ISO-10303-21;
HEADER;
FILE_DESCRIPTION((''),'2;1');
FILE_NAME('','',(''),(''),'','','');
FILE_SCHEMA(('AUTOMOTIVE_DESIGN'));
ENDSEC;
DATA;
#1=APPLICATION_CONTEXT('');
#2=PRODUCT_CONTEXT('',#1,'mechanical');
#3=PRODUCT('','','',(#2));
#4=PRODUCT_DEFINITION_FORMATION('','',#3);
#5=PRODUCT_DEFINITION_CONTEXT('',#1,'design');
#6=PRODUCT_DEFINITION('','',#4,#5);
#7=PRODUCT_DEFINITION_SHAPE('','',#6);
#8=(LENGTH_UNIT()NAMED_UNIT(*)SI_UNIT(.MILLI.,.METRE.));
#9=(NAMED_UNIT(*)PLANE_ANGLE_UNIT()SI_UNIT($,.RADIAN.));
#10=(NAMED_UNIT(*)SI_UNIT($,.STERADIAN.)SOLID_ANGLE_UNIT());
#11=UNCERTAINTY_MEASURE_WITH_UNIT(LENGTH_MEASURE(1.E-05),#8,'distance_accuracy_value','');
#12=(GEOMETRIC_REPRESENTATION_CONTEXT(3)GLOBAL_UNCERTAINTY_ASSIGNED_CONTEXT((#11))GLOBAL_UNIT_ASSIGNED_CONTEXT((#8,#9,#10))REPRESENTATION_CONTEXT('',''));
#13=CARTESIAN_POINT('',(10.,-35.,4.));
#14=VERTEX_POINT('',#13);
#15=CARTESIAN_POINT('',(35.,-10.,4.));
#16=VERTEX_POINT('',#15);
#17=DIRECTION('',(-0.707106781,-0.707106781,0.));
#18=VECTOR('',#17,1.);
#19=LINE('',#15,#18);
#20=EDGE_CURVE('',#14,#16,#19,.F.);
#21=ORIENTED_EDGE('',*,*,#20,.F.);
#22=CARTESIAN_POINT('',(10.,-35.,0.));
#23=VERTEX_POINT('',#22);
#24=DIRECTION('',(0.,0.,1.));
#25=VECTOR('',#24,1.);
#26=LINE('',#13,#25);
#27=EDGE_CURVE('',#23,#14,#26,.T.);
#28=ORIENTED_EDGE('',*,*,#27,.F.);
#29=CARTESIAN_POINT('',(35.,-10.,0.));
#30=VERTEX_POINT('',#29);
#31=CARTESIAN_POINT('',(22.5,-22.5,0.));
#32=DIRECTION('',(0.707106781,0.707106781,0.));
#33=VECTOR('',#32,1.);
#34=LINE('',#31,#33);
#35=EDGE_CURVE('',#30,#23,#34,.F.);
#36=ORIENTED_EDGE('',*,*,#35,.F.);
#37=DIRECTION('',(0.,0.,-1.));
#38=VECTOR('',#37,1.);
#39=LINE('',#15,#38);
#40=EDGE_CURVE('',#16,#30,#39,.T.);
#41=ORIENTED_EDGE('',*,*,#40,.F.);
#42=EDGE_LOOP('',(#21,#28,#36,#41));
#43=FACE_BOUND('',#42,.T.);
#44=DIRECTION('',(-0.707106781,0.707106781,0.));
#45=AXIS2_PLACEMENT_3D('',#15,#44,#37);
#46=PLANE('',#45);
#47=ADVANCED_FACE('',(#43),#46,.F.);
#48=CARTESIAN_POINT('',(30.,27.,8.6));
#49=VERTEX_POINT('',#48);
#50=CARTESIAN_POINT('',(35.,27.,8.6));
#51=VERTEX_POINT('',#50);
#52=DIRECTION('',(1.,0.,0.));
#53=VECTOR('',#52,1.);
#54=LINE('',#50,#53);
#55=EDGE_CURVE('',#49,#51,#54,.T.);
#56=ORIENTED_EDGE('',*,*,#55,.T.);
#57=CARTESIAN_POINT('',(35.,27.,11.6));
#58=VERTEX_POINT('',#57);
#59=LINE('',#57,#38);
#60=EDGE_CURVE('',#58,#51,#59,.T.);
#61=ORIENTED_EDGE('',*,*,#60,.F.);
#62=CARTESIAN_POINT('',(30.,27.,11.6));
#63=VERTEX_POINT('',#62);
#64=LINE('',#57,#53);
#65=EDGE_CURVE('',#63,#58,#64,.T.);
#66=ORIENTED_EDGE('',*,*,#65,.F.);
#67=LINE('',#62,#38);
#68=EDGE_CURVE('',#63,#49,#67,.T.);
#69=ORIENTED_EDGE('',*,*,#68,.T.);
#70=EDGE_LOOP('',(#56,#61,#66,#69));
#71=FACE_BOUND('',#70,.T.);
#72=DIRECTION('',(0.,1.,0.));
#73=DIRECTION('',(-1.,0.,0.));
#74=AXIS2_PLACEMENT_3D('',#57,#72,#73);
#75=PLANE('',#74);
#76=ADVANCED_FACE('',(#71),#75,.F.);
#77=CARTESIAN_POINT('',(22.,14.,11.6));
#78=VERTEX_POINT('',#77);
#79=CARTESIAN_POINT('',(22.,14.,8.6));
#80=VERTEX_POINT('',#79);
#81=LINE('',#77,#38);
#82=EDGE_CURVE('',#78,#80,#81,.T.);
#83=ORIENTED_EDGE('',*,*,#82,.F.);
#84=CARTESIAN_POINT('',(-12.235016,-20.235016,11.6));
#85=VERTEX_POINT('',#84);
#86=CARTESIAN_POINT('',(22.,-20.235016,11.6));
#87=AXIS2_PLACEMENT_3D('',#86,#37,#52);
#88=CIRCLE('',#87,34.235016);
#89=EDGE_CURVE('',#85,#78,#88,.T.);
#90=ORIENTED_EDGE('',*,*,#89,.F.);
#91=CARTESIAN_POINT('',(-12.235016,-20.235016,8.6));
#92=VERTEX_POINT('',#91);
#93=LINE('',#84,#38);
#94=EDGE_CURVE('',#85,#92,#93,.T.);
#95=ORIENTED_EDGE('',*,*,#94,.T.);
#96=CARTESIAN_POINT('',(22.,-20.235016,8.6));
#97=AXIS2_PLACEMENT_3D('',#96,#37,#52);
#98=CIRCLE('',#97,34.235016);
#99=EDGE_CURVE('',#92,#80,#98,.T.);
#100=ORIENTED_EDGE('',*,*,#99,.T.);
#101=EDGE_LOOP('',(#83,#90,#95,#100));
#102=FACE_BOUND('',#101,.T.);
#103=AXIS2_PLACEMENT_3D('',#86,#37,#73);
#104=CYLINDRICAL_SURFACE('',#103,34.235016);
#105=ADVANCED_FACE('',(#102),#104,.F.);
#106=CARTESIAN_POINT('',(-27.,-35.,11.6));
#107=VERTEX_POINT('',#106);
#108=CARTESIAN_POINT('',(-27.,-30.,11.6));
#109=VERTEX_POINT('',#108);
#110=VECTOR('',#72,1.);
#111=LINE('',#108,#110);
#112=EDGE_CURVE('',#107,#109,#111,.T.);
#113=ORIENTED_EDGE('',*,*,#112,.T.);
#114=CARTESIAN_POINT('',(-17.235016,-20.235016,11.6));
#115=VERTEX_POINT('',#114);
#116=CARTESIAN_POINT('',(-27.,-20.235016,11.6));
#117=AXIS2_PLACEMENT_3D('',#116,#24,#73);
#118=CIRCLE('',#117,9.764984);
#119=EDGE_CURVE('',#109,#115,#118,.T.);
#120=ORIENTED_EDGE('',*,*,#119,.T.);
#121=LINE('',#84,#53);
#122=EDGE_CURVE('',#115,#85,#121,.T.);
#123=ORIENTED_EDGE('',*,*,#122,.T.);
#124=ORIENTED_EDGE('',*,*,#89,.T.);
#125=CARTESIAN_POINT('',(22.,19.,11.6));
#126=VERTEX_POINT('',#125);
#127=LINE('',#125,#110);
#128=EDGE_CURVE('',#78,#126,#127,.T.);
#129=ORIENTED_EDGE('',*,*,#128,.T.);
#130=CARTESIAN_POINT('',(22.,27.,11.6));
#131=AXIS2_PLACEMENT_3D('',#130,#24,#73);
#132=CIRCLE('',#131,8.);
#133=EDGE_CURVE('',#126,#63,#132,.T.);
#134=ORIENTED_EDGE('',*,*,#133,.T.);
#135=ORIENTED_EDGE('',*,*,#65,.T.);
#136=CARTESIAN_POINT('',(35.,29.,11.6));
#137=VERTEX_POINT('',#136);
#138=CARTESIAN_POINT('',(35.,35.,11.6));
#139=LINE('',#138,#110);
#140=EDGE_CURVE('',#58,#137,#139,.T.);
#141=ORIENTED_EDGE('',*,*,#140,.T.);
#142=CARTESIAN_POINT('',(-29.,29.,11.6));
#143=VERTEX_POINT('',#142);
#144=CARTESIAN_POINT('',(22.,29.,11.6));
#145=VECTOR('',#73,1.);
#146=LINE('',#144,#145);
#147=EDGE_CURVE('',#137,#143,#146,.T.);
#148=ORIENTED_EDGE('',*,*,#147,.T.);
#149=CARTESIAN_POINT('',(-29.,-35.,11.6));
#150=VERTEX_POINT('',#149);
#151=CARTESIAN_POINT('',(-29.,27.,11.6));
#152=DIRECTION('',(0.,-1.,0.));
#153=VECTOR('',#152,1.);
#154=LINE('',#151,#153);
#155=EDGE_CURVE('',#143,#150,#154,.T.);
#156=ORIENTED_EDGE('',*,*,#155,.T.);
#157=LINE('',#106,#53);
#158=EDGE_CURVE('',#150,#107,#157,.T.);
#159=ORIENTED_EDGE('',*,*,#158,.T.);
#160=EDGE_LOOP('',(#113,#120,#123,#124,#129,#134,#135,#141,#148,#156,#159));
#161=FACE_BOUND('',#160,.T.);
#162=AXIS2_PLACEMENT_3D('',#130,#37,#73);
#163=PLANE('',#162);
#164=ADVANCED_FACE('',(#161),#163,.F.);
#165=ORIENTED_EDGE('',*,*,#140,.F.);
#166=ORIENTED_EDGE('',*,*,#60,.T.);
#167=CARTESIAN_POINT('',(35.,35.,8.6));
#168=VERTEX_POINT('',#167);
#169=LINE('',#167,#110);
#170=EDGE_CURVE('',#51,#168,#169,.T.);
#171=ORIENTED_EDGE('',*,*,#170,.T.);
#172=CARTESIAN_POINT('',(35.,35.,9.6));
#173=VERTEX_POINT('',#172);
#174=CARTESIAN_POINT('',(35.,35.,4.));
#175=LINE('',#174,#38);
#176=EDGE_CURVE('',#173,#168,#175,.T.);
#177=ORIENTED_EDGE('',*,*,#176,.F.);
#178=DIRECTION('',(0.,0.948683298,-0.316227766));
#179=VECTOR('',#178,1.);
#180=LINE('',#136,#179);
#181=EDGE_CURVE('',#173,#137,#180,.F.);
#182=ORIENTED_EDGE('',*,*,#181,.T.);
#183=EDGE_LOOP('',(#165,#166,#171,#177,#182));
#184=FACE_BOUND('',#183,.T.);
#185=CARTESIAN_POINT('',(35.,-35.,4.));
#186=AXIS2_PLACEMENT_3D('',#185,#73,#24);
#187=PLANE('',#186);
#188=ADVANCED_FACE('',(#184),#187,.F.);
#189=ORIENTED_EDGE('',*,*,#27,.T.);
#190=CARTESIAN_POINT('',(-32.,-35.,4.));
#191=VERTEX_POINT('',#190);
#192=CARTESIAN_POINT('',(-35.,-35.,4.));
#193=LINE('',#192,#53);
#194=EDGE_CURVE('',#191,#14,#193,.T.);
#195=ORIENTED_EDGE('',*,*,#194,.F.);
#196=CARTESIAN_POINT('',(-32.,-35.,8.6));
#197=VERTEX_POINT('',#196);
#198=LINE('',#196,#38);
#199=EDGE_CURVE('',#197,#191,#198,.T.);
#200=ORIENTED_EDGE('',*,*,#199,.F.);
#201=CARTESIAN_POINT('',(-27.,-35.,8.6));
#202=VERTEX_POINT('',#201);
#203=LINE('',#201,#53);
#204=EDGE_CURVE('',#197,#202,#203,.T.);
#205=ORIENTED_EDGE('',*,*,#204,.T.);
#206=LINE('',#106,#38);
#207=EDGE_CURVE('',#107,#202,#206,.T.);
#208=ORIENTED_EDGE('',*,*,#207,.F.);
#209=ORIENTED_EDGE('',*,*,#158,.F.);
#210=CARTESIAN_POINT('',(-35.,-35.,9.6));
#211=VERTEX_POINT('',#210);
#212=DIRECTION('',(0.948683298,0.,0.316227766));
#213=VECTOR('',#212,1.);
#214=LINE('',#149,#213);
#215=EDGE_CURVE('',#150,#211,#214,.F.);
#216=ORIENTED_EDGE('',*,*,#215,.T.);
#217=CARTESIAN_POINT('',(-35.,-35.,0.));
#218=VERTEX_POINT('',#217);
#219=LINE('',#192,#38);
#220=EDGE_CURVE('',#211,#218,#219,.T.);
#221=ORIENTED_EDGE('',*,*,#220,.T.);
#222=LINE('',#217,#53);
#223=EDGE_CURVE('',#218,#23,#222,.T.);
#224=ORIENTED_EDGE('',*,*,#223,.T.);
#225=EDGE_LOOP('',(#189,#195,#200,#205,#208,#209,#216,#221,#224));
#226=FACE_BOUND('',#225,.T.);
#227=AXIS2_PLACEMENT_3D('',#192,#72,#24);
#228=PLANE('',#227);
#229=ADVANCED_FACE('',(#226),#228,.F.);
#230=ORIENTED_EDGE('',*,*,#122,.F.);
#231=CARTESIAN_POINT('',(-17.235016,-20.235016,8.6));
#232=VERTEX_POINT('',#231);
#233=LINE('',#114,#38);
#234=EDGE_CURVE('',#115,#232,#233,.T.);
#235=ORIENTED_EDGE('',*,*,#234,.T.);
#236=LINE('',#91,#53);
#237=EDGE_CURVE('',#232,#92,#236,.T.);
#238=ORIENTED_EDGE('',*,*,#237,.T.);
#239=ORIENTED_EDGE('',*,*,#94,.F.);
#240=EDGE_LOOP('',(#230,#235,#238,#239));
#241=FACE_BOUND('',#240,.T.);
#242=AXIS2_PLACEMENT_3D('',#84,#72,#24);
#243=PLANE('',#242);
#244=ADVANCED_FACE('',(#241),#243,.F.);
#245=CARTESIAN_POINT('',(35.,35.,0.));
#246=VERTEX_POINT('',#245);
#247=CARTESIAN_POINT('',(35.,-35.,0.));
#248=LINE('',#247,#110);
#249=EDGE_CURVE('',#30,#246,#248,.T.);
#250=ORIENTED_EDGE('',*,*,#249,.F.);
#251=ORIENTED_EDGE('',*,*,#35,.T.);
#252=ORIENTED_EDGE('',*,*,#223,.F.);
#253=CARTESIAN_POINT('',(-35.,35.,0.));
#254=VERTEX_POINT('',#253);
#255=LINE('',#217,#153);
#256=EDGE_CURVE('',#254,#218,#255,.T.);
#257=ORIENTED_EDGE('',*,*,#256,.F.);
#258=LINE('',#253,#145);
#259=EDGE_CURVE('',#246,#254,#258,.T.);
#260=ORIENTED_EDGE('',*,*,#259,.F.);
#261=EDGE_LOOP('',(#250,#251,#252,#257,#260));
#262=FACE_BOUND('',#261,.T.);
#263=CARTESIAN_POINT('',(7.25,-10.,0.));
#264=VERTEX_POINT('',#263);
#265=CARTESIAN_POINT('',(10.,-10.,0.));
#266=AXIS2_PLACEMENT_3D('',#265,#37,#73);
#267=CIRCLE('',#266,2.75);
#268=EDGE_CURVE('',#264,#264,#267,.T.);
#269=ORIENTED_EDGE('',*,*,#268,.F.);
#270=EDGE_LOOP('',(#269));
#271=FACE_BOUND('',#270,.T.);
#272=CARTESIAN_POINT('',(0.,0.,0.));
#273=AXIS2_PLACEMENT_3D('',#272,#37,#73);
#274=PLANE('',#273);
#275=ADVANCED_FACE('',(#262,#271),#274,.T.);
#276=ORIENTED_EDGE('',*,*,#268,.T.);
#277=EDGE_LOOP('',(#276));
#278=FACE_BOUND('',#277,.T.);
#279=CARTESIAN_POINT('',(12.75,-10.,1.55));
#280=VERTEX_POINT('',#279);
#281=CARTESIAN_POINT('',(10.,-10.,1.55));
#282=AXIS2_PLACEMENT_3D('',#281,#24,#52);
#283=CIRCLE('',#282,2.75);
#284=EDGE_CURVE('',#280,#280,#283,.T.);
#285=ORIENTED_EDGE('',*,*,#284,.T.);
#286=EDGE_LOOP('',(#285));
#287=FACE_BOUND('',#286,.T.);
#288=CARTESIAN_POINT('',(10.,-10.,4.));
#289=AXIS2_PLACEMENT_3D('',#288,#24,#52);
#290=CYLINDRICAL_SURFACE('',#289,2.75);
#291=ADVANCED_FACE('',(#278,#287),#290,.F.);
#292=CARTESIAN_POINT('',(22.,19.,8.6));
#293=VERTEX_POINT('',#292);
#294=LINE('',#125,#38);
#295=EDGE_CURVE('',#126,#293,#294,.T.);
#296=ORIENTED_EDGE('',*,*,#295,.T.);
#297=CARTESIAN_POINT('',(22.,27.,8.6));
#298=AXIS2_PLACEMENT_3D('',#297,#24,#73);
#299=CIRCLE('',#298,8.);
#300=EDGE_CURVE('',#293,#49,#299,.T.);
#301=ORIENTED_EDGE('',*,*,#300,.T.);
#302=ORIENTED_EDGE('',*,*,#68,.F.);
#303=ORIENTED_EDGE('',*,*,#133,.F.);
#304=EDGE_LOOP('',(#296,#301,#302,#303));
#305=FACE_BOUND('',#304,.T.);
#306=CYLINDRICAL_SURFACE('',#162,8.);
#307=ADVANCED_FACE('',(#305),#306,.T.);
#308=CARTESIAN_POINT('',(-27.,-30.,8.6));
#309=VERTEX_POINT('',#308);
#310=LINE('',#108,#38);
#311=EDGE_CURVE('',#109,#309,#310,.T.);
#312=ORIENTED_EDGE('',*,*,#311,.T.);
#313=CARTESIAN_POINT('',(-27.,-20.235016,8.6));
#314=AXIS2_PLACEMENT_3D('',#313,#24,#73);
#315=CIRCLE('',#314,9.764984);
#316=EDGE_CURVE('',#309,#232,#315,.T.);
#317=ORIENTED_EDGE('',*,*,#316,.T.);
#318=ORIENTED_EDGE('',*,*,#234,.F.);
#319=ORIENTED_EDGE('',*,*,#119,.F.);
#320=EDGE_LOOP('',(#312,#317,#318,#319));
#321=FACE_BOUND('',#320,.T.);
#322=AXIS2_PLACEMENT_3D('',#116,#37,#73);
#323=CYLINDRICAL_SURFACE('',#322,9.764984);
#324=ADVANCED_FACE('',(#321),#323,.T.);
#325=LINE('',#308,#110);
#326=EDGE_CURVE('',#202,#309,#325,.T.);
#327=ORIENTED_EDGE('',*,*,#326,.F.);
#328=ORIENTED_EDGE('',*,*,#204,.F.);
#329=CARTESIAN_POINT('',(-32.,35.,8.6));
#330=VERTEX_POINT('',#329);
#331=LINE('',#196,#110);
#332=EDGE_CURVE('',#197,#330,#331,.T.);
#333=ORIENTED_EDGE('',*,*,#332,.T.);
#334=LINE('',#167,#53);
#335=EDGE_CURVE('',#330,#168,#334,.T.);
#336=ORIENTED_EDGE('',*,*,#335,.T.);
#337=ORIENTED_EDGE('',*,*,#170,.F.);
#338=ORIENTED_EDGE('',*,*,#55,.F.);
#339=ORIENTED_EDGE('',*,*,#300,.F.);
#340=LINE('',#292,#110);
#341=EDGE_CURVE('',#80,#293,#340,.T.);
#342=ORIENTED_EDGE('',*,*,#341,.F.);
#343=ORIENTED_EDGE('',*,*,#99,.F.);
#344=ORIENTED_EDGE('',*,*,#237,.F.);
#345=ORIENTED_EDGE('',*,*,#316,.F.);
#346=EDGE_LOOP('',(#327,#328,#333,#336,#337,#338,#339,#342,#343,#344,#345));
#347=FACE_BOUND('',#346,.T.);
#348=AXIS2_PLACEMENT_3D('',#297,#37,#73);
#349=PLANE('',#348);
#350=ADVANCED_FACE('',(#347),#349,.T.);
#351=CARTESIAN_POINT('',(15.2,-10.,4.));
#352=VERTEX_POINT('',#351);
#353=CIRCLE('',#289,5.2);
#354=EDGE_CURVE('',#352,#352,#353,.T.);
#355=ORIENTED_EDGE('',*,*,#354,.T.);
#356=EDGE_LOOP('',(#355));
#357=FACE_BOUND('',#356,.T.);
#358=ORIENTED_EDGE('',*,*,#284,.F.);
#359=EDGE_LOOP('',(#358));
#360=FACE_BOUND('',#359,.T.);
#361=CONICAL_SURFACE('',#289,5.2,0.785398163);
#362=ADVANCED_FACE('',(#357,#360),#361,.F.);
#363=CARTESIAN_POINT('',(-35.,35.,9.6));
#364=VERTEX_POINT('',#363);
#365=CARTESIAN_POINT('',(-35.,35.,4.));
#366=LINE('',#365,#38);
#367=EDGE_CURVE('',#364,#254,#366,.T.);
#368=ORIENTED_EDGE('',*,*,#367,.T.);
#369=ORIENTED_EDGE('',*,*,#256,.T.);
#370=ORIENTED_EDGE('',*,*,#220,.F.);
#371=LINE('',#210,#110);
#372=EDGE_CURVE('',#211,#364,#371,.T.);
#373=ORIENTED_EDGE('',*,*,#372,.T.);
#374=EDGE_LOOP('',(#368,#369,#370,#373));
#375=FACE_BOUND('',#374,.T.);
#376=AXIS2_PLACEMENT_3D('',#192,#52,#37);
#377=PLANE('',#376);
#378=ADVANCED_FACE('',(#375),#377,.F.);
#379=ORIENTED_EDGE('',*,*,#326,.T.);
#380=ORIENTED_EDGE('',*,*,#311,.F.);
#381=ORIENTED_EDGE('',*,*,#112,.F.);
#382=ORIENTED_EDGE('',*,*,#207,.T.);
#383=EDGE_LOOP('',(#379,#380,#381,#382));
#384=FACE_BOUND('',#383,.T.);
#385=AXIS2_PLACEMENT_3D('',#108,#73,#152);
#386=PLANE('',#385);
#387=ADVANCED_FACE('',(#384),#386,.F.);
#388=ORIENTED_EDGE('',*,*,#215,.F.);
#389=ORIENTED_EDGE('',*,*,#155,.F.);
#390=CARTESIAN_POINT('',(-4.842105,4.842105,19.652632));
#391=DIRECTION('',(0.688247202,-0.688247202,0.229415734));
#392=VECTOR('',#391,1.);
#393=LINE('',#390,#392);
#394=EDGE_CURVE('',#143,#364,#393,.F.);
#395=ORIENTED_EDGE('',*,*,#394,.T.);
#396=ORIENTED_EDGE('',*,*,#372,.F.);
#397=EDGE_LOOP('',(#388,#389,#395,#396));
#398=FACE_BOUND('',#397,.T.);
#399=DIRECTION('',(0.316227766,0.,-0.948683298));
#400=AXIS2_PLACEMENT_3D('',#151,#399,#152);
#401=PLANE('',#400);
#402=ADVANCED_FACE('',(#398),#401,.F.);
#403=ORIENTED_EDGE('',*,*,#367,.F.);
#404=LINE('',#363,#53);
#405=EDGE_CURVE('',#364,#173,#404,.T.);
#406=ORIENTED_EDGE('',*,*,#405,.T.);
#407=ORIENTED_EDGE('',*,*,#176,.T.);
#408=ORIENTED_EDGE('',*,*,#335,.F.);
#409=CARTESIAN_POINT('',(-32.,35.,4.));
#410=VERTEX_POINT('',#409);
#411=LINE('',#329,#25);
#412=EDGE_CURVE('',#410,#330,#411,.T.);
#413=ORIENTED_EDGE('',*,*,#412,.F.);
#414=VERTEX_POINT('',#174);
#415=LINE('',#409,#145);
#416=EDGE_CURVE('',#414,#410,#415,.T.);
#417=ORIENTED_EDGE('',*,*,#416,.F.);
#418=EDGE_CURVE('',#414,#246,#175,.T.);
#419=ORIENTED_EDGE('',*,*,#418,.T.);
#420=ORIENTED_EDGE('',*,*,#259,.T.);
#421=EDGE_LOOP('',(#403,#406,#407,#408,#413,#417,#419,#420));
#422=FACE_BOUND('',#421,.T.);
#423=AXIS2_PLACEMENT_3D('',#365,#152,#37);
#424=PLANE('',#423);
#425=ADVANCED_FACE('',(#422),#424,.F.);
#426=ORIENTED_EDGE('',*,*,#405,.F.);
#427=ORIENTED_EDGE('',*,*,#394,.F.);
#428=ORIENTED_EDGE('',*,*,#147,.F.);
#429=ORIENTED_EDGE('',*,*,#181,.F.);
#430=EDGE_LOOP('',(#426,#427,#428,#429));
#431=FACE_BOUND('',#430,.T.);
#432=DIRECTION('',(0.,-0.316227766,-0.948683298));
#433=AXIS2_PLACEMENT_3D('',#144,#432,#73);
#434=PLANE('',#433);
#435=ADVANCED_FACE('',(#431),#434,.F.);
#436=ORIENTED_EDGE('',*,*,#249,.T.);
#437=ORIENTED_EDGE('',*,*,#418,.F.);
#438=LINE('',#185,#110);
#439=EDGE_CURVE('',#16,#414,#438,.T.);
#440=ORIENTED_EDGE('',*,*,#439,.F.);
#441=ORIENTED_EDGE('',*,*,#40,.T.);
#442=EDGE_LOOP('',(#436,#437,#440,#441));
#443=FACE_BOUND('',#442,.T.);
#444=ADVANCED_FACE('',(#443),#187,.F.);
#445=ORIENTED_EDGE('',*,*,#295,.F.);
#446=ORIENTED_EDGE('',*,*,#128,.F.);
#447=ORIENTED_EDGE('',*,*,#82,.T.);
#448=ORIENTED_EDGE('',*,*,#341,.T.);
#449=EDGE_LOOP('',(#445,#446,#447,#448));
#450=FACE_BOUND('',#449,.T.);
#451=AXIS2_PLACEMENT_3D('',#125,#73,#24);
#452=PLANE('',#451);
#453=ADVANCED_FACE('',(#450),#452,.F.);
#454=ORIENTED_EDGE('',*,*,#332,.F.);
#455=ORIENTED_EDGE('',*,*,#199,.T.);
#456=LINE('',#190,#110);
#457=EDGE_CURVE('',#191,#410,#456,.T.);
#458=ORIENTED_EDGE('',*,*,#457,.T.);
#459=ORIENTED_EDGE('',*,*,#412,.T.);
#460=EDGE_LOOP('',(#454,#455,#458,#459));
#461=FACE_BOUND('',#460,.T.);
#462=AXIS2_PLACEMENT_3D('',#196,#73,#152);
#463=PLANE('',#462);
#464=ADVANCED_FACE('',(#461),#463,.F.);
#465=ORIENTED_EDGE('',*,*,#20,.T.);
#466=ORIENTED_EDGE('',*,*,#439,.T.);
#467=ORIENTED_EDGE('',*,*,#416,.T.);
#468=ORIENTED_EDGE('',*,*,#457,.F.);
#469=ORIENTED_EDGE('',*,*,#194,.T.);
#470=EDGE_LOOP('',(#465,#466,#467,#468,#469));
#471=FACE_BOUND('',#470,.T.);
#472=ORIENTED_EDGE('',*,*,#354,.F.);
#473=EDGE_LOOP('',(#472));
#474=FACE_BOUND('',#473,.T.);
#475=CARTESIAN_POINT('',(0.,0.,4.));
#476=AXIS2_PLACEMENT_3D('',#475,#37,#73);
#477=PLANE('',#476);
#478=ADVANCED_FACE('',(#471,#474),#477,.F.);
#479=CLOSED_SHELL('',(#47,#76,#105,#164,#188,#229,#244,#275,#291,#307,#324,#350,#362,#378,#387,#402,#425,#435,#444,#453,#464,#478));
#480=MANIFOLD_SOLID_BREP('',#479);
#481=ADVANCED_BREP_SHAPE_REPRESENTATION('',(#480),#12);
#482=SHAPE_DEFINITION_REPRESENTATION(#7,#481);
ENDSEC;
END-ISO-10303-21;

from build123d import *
from OCP.BRepFilletAPI import BRepFilletAPI_MakeChamfer

# Parameters (mm, degrees)
ESQUISSE1_W             = 70
ESQUISSE1_H             = 70
BOSS_EXTRU_1_DEPTH      = 4
BOSS_EXTRU_2_DEPTH      = 4.6
BOSS_EXTRU_3_DEPTH      = 3
CHANFREIN1_SIZE         = 2
CHANFREIN1_SIZE2        = 6
CHANFREIN2_SIZE         = 25
ENL_V_MAT_EXTRU_1_REACH = 78.476
ESQUISSE6_W             = 67
ESQUISSE6_H             = 4.6


with BuildPart() as part:
    # Esquisse1 → Boss.-Extru.1 (new body)
    with BuildSketch(Plane.XY):
        Rectangle(ESQUISSE1_W, ESQUISSE1_H)
    extrude(amount=BOSS_EXTRU_1_DEPTH)

    # Esquisse2 → Boss.-Extru.2 (add)
    with BuildSketch(Plane.XY.offset(4)):
        Polygon((-35, 35), (-35, -35), (-32, -35), (-32, 32), (35, 32), (35, 35), align=None)
    extrude(amount=BOSS_EXTRU_2_DEPTH)

    # Esquisse3 → Boss.-Extru.3 (add)
    with BuildSketch(Plane.XY.offset(8.6)):
        with BuildLine():
            Line((35, 35), (-35, 35))
            Line((-35, 35), (-35, -35))
            Line((-35, -35), (-27, -35))
            Line((-27, -35), (-27, -30))
            ThreePointArc((-27, -30), (-20.095113441, -27.13990234), (-17.235015781, -20.235015781))
            Line((-17.235015781, -20.235015781), (-12.235015781, -20.235015781))
            ThreePointArc((-12.235015781, -20.235015781), (-2.207811813, 3.972796032), (22, 14))
            Line((22, 14), (22, 19))
            ThreePointArc((22, 19), (27.656854249, 21.343145751), (30, 27))
            Line((30, 27), (35, 27))
            Line((35, 27), (35, 35))
        make_face()
    extrude(amount=BOSS_EXTRU_3_DEPTH)

    # Chanfrein1: one chamfer whose edges measure the first distance from different faces: ONE call of the kernel's chamfer builder (chamfer() names one face for all edges)
    chanfrein1_edges_1 = [part.edges().sort_by_distance(p)[0] for p in [
        (0, 35, 11.6),
    ]]
    chanfrein1_side_1 = [part.faces().sort_by_distance(p)[0] for p in [
        (0, 35, 5.8),
    ]]
    chanfrein1_edges_2 = [part.edges().sort_by_distance(p)[0] for p in [
        (-35, 0, 11.6),
    ]]
    chanfrein1_side_2 = [part.faces().sort_by_distance(p)[0] for p in [
        (-35, 0, 5.8),
    ]]
    chanfrein1 = BRepFilletAPI_MakeChamfer(part.part.solid().wrapped)
    for e in chanfrein1_edges_1:
        chanfrein1.Add(CHANFREIN1_SIZE, CHANFREIN1_SIZE2, e.wrapped, chanfrein1_side_1[0].wrapped)  # the first distance lies on this face
    for e in chanfrein1_edges_2:
        chanfrein1.Add(CHANFREIN1_SIZE, CHANFREIN1_SIZE2, e.wrapped, chanfrein1_side_2[0].wrapped)  # the first distance lies on this face
    add(Compound.cast(chanfrein1.Shape()), mode=Mode.REPLACE)

    # Chanfrein2
    chanfrein2_edges = [part.edges().sort_by_distance(p)[0] for p in [
        (35, -35, 2),
    ]]
    chamfer(chanfrein2_edges, length=CHANFREIN2_SIZE)

    # Esquisse4 → Fraisage pour vis à tête fraisée M51 (revolve, cut)
    with BuildSketch(Plane(origin=(10, -10, 4), x_dir=(0, -1, 0), z_dir=(1, 0, 0))):
        Polygon((0, 0), (0, 4), (2.75, 4), (2.75, 2.45), (5.2, 0), align=None)
    revolve(axis=Axis((10, -10, 10.35), (0, 0, -1)), mode=Mode.SUBTRACT)

    # Esquisse6 → Enlèv. mat.-Extru.1 (cut, up to next)
    with BuildSketch(Plane.XZ.offset(-32), mode=Mode.PRIVATE) as enl_v_mat_extru_1_sk1:
        with Locations((1.5, 6.3)):
            Rectangle(ESQUISSE6_W, ESQUISSE6_H)
    enl_v_mat_extru_1_tool1 = extrude(enl_v_mat_extru_1_sk1.sketch, amount=-ENL_V_MAT_EXTRU_1_REACH, mode=Mode.PRIVATE) & part.part
    add(enl_v_mat_extru_1_tool1.solids().sort_by_distance((1.5, 32, 6.3))[0], mode=Mode.SUBTRACT)


solid = part.part
